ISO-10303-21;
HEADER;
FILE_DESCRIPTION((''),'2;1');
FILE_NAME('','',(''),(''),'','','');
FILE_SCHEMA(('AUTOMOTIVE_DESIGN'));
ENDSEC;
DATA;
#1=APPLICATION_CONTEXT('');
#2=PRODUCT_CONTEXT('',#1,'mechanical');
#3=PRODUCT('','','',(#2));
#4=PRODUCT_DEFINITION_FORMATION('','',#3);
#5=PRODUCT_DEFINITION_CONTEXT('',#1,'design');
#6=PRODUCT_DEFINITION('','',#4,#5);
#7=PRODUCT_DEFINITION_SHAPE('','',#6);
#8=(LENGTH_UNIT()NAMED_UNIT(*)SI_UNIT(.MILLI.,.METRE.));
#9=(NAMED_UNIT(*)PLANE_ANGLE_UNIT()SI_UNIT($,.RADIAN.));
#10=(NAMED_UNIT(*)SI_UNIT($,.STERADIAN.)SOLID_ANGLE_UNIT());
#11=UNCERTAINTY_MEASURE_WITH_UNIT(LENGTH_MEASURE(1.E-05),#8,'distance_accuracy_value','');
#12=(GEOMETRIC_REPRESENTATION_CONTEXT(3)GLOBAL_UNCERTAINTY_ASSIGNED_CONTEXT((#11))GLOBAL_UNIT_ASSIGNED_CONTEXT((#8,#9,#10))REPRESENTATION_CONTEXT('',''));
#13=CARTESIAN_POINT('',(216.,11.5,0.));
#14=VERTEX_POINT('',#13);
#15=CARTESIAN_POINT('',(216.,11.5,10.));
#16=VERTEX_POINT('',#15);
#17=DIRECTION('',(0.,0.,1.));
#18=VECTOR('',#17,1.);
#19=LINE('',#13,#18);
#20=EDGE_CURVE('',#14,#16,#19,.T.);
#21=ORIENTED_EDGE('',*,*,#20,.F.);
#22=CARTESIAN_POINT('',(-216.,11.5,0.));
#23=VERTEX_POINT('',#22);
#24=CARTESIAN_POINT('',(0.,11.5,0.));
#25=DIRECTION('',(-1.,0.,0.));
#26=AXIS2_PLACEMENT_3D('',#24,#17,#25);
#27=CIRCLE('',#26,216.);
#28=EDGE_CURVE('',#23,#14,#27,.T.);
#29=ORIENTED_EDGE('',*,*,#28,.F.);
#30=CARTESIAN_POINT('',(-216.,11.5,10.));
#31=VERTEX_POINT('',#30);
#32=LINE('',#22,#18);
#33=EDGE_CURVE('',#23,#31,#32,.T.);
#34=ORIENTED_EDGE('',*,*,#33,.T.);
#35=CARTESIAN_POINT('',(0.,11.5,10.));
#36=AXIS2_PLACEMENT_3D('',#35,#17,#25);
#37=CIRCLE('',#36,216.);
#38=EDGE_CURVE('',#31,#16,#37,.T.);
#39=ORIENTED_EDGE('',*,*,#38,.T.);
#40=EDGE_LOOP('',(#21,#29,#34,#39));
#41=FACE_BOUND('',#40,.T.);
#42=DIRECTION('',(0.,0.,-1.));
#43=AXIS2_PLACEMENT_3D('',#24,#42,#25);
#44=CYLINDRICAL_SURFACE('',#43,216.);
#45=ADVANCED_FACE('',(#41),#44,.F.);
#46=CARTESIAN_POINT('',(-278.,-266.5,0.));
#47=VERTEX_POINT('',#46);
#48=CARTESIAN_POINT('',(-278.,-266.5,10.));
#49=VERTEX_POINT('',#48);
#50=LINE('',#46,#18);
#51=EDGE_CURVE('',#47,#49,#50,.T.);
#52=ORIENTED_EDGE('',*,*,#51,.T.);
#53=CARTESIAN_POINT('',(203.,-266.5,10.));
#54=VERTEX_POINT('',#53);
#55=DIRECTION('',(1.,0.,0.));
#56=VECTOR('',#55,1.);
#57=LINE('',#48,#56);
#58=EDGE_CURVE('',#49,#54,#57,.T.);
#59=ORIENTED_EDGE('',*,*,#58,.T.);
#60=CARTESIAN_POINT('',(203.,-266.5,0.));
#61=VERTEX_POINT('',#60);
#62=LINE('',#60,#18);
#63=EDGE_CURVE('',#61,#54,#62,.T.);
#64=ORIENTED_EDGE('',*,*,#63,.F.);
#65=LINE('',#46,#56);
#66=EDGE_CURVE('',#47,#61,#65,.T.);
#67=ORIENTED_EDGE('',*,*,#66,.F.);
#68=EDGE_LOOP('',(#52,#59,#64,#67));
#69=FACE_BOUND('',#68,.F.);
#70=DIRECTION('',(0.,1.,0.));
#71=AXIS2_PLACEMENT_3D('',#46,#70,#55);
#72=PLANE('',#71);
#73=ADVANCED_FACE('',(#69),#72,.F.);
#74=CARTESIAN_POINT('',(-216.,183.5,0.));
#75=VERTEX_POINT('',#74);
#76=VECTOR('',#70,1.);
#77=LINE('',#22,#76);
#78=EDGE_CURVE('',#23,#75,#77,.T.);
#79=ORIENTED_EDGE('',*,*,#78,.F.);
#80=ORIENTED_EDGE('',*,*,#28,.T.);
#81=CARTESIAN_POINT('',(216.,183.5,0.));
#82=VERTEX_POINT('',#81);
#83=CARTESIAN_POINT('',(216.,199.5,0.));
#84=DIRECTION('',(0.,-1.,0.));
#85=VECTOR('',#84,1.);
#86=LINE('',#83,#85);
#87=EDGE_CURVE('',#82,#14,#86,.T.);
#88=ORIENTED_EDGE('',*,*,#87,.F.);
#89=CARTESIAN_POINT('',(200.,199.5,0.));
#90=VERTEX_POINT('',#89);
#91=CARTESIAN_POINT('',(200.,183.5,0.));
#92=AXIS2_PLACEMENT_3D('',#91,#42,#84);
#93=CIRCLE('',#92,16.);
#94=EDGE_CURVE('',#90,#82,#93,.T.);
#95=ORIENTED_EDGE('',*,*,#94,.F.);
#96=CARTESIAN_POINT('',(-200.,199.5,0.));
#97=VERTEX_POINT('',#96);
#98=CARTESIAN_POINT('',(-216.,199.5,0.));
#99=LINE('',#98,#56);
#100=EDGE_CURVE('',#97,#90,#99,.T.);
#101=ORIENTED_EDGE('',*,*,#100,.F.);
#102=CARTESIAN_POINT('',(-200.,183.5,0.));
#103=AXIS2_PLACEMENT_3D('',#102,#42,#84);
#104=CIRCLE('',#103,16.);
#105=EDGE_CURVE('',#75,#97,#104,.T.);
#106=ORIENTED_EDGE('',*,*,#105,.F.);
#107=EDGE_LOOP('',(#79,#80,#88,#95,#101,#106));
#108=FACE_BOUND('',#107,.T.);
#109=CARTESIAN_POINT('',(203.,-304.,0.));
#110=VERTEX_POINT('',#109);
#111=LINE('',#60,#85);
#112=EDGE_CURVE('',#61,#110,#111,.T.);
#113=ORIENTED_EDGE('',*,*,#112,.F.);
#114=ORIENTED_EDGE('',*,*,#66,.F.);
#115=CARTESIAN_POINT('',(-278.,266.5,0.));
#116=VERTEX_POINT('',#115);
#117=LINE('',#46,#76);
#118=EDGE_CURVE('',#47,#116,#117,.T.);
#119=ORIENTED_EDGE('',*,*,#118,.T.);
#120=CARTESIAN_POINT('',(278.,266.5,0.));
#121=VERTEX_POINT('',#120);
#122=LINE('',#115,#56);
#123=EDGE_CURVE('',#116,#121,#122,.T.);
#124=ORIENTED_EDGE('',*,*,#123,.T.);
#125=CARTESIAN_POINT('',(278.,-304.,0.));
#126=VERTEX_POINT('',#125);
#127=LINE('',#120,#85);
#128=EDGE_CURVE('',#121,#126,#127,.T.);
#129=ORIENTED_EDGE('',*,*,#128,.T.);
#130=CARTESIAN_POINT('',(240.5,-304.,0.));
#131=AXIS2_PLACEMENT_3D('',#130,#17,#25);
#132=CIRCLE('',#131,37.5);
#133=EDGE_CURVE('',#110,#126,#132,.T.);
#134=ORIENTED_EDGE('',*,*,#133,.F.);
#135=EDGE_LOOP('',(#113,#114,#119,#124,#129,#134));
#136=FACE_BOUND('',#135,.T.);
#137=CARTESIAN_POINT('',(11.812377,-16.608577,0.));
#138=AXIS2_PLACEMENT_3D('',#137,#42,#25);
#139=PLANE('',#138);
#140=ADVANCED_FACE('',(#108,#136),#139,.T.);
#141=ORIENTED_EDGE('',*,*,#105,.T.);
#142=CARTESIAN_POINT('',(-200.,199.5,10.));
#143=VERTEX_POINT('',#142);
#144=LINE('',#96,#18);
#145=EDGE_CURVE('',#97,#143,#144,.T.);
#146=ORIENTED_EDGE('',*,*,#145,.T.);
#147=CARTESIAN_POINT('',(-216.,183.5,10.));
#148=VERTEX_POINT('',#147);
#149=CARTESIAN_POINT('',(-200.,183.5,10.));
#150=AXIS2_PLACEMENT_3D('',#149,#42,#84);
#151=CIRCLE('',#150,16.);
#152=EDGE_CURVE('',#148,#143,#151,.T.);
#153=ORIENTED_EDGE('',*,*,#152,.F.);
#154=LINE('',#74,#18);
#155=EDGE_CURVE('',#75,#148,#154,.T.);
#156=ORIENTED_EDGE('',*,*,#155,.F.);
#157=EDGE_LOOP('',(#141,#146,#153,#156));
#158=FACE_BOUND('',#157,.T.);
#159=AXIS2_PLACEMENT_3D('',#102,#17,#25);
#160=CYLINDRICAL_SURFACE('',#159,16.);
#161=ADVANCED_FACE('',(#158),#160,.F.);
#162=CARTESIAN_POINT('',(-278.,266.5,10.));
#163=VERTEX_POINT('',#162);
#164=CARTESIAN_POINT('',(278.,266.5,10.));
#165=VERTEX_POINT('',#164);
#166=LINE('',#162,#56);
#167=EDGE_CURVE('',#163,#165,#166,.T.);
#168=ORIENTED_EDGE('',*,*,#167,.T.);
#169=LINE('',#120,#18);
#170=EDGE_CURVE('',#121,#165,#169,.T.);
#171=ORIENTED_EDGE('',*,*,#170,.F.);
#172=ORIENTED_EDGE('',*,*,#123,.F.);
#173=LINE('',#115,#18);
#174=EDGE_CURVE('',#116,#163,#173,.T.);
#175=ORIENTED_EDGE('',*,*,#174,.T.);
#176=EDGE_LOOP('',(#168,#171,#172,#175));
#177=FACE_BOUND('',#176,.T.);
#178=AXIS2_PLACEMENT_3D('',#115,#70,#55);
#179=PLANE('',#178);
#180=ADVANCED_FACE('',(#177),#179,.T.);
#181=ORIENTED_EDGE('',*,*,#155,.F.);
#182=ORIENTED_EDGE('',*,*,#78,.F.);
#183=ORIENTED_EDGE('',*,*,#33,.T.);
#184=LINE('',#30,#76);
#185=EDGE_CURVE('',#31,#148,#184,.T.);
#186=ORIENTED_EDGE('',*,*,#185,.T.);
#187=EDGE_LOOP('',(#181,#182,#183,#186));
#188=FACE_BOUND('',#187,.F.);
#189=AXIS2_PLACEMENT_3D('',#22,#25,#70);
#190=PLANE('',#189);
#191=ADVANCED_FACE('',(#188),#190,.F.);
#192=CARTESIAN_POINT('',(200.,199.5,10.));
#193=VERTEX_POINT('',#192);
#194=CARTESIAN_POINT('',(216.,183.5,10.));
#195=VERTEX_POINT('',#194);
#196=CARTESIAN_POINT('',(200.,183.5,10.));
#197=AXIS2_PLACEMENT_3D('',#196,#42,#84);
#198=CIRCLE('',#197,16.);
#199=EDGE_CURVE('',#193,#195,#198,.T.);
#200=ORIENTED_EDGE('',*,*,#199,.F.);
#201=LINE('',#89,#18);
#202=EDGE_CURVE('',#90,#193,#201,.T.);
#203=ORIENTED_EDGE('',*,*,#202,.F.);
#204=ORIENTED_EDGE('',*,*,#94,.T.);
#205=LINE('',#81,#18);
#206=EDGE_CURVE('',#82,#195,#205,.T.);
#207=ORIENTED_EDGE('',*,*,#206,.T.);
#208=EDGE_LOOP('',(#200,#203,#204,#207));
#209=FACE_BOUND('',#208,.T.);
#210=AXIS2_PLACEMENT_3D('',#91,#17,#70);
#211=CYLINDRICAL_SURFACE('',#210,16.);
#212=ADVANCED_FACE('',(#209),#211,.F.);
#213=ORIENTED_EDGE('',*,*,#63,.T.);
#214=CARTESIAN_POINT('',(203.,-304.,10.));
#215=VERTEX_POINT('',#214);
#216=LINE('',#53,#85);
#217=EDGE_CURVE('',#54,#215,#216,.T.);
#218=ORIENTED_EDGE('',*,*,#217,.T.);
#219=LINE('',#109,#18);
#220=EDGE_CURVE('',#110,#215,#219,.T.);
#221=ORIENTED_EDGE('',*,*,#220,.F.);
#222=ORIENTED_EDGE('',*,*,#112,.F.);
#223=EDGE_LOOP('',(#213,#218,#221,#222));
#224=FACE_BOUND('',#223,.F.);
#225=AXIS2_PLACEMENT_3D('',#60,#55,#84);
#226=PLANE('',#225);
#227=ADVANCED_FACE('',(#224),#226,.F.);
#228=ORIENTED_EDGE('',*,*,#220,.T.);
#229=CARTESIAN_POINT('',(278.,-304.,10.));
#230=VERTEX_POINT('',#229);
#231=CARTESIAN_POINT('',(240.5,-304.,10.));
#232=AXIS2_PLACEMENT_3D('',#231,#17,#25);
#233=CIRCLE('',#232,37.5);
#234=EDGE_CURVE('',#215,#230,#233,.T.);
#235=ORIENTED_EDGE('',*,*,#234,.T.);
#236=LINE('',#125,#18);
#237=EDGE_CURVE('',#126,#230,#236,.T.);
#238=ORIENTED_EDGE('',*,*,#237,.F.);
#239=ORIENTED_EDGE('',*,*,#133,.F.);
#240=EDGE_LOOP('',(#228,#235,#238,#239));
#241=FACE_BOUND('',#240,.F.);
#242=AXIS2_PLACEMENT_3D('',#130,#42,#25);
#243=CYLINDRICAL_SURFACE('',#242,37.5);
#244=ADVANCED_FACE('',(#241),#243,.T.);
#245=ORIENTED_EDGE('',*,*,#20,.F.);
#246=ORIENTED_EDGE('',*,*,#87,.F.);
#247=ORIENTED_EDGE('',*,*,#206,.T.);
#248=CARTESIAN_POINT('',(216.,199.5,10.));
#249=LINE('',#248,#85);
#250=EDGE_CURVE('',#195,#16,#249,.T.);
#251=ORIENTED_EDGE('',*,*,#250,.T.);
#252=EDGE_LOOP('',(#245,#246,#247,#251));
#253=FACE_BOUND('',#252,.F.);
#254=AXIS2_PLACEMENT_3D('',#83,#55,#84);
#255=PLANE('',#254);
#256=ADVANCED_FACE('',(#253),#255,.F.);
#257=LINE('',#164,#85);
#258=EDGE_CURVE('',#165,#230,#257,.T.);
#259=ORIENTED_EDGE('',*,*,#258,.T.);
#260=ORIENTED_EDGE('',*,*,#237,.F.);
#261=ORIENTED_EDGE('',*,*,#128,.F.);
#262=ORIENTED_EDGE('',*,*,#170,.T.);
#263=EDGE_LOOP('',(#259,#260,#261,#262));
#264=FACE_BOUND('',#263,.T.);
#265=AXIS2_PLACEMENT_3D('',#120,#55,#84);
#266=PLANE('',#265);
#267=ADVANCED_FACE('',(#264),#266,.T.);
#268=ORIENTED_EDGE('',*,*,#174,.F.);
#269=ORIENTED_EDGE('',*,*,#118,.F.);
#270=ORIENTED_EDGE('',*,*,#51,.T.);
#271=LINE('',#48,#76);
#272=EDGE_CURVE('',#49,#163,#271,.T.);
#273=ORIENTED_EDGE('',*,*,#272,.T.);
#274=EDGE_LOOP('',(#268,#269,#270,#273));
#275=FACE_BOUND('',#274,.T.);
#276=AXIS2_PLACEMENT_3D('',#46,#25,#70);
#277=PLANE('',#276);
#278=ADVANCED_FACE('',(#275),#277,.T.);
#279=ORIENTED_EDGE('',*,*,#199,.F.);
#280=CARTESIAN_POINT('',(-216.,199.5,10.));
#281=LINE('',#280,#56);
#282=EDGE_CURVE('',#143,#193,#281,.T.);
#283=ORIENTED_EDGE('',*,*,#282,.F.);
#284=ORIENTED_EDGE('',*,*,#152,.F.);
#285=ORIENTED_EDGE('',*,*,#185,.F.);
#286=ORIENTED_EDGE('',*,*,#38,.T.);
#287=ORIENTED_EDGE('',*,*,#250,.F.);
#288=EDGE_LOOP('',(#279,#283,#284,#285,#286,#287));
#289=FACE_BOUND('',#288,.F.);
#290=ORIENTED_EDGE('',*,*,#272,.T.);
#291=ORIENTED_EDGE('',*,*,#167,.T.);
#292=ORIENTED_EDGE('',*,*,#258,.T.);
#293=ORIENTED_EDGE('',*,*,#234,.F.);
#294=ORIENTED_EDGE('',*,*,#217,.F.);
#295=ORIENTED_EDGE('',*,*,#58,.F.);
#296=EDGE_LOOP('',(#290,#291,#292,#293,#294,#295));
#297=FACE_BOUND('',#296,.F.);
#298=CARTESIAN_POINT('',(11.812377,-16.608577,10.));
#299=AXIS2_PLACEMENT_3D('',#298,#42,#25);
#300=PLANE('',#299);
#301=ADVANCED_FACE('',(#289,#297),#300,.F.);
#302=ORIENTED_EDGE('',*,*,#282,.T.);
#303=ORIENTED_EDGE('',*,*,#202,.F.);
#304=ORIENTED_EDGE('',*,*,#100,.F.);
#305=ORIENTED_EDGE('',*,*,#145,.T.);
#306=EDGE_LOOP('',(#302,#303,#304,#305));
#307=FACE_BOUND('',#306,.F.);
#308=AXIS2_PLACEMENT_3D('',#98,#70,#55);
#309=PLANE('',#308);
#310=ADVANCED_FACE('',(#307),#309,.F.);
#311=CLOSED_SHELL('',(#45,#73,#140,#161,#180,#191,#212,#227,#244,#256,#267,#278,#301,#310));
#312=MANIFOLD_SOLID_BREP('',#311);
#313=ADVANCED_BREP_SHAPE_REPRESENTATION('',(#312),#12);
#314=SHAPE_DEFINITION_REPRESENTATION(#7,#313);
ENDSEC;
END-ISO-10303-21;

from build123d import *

# Parameters (mm, degrees)
PAD_DEPTH = 10
FILLET_R  = 16


with BuildPart() as part:
    # Sketch → Pad (new body)
    with BuildSketch(Plane.XY):
        with BuildLine():
            Line((-278, -266.5), (-278, 266.5))
            Line((-278, 266.5), (278, 266.5))
            Line((278, 266.5), (278, -304))
            ThreePointArc((203, -304), (240.5, -341.5), (278, -304))
            Line((203, -266.5), (203, -304))
            Line((-278, -266.5), (203, -266.5))
        make_face()
        with BuildLine():
            Line((-216, 11.5), (-216, 199.5))
            Line((-216, 199.5), (216, 199.5))
            Line((216, 199.5), (216, 11.5))
            ThreePointArc((-216, 11.5), (0, -204.5), (216, 11.5))
        make_face(mode=Mode.SUBTRACT)
    extrude(amount=PAD_DEPTH)

    # Fillet
    fillet_edges = [part.edges().sort_by_distance(p)[0] for p in [
        (-216, 199.5, 5),
        (216, 199.5, 5),
    ]]
    fillet(fillet_edges, radius=FILLET_R)


solid = part.part
